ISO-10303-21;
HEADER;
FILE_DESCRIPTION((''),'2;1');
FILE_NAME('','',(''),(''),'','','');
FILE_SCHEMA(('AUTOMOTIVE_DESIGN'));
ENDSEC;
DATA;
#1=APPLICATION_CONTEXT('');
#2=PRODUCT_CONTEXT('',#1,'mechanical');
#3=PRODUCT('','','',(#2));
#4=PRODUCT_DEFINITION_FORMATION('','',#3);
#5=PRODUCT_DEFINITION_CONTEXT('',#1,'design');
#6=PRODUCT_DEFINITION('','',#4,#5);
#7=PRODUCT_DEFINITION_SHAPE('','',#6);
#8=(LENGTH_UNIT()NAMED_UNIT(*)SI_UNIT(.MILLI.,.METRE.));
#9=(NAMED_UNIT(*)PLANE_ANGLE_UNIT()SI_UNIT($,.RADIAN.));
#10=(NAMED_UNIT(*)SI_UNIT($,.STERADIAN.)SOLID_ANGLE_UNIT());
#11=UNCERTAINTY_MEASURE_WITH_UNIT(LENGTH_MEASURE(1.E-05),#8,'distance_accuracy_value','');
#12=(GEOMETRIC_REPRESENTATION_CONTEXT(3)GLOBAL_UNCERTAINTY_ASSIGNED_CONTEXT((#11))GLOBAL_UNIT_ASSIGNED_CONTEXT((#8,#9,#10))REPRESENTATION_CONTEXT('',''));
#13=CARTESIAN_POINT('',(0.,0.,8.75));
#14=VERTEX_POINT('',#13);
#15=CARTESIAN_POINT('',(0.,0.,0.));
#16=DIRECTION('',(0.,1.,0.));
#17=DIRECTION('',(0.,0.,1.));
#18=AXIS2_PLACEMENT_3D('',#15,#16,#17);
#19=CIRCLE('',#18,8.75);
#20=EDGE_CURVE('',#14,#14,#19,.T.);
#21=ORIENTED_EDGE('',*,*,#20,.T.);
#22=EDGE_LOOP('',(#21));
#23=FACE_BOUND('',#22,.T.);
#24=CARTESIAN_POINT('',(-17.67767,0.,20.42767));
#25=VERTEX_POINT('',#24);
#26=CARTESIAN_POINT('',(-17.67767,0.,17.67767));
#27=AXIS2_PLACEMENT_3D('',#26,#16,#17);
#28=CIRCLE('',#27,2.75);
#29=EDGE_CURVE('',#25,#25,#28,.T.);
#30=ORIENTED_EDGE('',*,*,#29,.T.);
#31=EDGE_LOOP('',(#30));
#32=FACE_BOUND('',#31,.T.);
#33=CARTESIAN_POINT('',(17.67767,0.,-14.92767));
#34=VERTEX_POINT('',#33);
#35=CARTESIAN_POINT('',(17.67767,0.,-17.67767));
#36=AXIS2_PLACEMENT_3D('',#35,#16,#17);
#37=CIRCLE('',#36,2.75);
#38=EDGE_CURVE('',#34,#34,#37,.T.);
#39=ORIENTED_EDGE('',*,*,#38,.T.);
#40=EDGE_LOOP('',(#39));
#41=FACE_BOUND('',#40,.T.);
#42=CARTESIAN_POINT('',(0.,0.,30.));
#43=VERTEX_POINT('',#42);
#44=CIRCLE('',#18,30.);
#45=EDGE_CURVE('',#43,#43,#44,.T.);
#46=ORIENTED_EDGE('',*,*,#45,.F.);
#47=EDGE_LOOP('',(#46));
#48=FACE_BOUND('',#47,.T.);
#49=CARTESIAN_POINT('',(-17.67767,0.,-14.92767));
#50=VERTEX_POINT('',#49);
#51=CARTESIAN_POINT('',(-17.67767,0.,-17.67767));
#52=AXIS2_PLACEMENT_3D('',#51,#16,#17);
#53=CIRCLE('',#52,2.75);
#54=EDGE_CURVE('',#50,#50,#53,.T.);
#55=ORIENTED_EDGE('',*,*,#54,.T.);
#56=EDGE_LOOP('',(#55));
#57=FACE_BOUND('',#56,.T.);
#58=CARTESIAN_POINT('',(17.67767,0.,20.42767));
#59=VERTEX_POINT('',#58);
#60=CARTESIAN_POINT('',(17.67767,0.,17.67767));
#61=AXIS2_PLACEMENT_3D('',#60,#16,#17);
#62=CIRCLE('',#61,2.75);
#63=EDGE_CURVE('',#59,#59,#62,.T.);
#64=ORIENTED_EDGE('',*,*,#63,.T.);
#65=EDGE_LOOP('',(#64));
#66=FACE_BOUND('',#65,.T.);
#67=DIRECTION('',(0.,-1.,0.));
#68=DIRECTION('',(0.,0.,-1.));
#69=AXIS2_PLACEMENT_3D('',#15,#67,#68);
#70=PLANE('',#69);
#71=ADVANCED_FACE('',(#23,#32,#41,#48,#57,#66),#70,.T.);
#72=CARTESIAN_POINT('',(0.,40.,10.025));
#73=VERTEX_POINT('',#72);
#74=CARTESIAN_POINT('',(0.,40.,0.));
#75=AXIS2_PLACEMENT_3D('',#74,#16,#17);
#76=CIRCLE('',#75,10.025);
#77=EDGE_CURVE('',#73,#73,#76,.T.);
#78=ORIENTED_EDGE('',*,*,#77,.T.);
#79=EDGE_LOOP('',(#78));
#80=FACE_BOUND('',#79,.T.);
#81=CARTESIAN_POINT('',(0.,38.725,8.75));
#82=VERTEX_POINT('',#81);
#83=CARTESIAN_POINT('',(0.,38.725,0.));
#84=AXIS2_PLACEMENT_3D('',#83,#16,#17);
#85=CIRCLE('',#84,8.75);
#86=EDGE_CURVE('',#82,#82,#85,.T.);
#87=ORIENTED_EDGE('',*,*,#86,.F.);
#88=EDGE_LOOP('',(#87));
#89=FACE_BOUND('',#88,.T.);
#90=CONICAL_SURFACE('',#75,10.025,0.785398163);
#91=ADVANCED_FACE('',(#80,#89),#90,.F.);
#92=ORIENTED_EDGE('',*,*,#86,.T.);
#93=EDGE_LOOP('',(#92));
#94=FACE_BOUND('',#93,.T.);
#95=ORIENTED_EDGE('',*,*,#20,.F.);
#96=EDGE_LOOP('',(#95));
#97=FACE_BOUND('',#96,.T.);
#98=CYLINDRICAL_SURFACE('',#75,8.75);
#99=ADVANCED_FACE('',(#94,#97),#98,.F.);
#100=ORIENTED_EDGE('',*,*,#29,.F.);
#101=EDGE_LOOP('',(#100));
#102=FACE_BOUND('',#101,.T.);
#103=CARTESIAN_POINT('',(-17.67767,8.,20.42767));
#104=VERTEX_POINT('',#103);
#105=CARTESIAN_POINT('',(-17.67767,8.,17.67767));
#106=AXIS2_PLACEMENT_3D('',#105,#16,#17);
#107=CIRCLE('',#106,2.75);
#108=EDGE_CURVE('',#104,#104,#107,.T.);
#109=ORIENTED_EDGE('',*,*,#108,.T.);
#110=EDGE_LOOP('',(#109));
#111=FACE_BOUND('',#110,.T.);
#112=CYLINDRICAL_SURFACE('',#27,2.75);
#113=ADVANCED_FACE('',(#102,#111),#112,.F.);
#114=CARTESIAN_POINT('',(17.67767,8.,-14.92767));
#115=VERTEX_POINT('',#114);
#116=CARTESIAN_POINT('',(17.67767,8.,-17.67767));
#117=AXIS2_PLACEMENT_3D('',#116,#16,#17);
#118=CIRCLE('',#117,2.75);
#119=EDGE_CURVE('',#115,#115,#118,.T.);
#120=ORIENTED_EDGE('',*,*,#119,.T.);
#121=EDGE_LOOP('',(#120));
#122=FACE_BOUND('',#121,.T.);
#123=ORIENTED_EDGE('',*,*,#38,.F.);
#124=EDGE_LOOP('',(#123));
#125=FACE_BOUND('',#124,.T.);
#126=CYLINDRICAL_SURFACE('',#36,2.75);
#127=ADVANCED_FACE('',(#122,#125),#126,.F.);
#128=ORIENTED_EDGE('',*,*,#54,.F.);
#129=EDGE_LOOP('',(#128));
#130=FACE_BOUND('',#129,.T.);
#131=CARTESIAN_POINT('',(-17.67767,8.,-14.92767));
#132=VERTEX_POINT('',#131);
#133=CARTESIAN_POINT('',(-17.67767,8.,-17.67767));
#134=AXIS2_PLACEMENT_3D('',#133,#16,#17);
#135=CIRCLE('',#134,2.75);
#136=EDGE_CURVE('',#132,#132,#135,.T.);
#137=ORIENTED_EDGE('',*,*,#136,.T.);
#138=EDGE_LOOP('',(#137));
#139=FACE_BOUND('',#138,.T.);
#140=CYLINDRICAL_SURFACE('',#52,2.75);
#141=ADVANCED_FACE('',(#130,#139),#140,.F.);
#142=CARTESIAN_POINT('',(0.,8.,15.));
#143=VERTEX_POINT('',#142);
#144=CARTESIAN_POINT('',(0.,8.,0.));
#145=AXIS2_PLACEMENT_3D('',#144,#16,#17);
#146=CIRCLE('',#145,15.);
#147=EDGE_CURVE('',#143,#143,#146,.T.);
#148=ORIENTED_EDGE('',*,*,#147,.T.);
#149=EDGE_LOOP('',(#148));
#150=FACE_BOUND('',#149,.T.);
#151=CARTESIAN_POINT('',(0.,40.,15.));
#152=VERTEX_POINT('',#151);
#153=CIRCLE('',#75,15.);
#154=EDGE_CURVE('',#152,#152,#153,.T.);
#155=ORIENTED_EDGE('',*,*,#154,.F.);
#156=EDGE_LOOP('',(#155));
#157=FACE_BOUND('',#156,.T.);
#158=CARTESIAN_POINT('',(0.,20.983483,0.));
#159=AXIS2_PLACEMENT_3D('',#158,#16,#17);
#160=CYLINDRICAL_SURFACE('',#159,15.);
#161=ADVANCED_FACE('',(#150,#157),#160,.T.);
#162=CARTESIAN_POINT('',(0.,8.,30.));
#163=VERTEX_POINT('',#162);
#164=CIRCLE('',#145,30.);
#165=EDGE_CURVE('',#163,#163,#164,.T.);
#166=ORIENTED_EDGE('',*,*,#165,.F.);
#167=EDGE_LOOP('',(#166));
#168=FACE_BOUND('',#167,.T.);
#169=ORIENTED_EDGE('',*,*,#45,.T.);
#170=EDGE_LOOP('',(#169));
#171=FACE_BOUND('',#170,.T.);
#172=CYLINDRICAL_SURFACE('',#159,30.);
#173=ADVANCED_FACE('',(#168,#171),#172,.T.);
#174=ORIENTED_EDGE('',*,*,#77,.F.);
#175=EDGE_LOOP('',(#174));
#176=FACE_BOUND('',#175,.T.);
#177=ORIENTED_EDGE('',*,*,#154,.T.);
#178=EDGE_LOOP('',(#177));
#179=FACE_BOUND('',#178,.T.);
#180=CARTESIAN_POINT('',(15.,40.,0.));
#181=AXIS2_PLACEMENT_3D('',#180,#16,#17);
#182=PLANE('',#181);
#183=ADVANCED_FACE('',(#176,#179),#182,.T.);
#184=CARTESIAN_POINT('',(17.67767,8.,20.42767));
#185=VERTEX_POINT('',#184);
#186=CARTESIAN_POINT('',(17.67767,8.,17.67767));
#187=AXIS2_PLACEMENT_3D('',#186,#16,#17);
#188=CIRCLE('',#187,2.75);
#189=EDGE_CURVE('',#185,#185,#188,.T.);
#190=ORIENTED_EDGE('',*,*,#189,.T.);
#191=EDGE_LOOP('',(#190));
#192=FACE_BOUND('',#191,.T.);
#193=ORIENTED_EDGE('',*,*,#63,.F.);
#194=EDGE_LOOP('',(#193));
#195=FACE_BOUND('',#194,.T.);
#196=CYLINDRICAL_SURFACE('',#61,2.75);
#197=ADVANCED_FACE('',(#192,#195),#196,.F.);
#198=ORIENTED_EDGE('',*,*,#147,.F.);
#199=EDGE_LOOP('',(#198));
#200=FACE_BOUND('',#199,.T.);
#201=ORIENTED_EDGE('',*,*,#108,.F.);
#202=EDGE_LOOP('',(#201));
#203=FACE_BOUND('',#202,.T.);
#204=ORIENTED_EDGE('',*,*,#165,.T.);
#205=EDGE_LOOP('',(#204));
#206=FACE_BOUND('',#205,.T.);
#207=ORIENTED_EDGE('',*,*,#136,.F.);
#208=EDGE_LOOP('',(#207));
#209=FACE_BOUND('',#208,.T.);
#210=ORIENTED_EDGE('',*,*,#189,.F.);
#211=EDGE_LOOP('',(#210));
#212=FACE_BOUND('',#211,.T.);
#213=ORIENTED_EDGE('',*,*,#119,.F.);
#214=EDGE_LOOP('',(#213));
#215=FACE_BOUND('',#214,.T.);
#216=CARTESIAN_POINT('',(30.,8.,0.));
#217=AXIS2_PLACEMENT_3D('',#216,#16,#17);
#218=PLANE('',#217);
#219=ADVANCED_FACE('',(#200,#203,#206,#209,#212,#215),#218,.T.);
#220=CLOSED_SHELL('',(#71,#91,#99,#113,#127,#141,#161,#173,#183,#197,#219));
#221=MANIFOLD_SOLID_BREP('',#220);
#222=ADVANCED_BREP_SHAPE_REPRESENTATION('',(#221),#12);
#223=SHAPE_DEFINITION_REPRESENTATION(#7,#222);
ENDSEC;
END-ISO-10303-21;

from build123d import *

# Parameters (mm, degrees)
HOLE_WIZARD_M201_D           = 17.5
HOLE_WIZARD_M201_CSINK_D     = 20.05
HOLE_WIZARD_M201_CSINK_ANGLE = 90
SKETCH_4_R                   = 2.75
CUT_EXTRUDE_1_DEPTH          = 54.141321022


with BuildPart() as part:
    # Эскиз1 → Повернуть1 (revolve)
    with BuildSketch(Plane.XY):
        Polygon((0, 0), (-30, 0), (-30, 8), (-15, 8), (-15, 40), (0, 40), align=None)
    revolve(axis=Axis((0, 20.983482592, 0), (0, -1, 0)))

    # Отверстие обработанное метчиком M201 (through all)
    with Locations(Plane(origin=(0, 40, 0), x_dir=(1, 0, 0), z_dir=(0, 1, 0))):
        with Locations((0, 0)):
            CounterSinkHole(HOLE_WIZARD_M201_D / 2, HOLE_WIZARD_M201_CSINK_D / 2, counter_sink_angle=HOLE_WIZARD_M201_CSINK_ANGLE)

    # Эскиз4 → Вырез-Вытянуть1 (cut, through all)
    with BuildSketch(Plane(origin=(0, 8, 0), x_dir=(1, 0, 0), z_dir=(0, 1, 0))):
        with Locations((-17.67766953, 17.67766953)):
            Circle(SKETCH_4_R)
        with Locations((-17.67766953, -17.67766953)):
            Circle(SKETCH_4_R)
        with Locations((17.67766953, 17.67766953)):
            Circle(SKETCH_4_R)
        with Locations((17.67766953, -17.67766953)):
            Circle(SKETCH_4_R)
    extrude(amount=-CUT_EXTRUDE_1_DEPTH, mode=Mode.SUBTRACT)


solid = part.part
